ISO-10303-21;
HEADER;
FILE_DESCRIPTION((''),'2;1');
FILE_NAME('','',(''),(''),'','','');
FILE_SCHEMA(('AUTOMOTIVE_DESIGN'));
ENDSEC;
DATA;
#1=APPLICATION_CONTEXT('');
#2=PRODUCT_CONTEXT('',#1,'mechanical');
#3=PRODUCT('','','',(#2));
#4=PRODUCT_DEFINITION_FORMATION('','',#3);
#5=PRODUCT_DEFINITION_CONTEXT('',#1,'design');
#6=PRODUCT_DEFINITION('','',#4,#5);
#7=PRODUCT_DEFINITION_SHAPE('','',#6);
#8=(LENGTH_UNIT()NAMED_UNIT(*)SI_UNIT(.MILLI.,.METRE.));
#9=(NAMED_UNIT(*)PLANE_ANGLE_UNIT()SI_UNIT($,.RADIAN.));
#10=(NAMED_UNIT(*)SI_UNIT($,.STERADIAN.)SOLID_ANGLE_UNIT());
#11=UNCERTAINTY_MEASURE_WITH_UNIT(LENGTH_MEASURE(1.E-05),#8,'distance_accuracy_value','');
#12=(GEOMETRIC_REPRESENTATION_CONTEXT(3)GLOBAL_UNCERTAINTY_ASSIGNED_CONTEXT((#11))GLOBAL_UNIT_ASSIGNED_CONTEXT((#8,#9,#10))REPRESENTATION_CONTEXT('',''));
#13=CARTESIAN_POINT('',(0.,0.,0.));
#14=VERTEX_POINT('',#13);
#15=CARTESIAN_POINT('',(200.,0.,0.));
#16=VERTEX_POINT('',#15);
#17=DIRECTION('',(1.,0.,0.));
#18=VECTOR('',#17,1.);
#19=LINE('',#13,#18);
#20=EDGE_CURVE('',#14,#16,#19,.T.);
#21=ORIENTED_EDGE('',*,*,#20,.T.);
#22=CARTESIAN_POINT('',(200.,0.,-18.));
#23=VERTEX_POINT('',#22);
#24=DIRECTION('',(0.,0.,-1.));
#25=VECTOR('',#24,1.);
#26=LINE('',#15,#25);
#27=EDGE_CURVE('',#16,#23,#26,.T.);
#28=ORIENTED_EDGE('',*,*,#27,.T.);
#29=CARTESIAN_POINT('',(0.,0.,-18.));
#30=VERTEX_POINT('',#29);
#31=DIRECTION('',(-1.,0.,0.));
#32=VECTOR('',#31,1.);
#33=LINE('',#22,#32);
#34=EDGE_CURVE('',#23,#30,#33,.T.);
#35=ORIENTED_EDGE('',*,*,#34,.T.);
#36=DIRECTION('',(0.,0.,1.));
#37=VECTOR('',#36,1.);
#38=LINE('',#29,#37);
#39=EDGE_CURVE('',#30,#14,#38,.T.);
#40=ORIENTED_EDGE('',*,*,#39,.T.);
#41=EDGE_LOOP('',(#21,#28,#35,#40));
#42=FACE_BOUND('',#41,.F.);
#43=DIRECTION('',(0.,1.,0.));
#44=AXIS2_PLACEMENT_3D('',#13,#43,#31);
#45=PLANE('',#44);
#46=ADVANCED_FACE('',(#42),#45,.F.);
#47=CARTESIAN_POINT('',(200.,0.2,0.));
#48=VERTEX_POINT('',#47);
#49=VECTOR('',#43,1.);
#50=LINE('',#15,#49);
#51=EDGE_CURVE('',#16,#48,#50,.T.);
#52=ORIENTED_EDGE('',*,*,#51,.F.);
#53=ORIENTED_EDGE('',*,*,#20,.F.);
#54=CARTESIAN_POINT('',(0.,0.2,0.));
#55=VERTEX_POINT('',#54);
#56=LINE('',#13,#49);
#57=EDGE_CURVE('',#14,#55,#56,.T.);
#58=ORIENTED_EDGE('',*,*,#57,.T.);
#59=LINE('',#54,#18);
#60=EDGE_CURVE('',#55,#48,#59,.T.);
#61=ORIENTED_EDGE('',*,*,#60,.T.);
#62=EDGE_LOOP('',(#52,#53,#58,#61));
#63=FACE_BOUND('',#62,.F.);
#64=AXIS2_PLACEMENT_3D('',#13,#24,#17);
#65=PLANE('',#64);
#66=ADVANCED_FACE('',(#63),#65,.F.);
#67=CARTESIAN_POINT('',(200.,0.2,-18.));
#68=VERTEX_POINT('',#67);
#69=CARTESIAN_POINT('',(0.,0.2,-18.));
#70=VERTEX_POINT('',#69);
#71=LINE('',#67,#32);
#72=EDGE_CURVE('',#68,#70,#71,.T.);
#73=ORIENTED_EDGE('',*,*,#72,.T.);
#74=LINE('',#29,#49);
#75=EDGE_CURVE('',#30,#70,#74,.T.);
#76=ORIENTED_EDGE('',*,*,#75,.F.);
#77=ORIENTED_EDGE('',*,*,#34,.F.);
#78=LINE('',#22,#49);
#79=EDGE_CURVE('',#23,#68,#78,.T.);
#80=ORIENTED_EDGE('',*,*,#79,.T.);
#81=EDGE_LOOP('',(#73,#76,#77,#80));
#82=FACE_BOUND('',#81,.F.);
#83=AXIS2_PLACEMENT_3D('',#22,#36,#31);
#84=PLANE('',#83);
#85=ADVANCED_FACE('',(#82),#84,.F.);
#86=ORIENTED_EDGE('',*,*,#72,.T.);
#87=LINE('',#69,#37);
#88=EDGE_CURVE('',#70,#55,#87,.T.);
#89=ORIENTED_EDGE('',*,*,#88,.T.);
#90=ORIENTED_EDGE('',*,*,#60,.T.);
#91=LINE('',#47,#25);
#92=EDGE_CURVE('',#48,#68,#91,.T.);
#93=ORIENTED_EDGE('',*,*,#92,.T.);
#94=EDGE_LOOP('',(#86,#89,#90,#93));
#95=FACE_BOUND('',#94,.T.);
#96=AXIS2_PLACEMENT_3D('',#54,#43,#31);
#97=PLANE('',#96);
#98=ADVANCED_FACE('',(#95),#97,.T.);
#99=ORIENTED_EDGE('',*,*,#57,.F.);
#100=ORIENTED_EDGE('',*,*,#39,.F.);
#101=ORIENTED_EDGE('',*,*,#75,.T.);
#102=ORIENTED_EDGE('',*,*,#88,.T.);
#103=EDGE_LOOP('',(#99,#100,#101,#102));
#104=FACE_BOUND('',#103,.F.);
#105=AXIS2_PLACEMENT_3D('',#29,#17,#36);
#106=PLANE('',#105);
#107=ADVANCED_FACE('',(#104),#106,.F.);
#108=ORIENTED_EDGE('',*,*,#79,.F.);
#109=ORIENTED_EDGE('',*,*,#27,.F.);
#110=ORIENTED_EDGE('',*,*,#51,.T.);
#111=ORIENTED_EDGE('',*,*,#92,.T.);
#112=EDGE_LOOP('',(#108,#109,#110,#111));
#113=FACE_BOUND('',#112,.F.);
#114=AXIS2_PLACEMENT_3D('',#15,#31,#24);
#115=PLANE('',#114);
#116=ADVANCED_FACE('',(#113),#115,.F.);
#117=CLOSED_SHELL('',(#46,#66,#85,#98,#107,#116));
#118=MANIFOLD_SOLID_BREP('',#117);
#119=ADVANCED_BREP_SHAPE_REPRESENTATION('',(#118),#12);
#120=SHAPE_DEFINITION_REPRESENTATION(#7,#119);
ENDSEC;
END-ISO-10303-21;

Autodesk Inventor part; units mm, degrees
ref_plane "YZ Plane" through (0, 0, 0) normal (1, 0, 0) x (0, 1, 0)
ref_plane "XZ Plane" through (0, 0, 0) normal (0, 1, 0) x (-1, 0, 0)
ref_plane "XY Plane" through (0, 0, 0) normal (0, 0, 1) x (1, 0, 0)
sketch "Sketch1" plane through (0, 0, 0) normal (0, 1, 0) x (-1, 0, 0)
  line L0 (0, 0) -> (-200, 0)
  line L1 (-200, 0) -> (-200, -18)
  line L2 (-200, -18) -> (0, -18)
  line L3 (0, -18) -> (0, 0)
  dimension "d0" = 200
  dimension "d1" = 18
extrude "Extrusion1" add sketch "Sketch1" along normal blind 0.2
properties part number "blade"
